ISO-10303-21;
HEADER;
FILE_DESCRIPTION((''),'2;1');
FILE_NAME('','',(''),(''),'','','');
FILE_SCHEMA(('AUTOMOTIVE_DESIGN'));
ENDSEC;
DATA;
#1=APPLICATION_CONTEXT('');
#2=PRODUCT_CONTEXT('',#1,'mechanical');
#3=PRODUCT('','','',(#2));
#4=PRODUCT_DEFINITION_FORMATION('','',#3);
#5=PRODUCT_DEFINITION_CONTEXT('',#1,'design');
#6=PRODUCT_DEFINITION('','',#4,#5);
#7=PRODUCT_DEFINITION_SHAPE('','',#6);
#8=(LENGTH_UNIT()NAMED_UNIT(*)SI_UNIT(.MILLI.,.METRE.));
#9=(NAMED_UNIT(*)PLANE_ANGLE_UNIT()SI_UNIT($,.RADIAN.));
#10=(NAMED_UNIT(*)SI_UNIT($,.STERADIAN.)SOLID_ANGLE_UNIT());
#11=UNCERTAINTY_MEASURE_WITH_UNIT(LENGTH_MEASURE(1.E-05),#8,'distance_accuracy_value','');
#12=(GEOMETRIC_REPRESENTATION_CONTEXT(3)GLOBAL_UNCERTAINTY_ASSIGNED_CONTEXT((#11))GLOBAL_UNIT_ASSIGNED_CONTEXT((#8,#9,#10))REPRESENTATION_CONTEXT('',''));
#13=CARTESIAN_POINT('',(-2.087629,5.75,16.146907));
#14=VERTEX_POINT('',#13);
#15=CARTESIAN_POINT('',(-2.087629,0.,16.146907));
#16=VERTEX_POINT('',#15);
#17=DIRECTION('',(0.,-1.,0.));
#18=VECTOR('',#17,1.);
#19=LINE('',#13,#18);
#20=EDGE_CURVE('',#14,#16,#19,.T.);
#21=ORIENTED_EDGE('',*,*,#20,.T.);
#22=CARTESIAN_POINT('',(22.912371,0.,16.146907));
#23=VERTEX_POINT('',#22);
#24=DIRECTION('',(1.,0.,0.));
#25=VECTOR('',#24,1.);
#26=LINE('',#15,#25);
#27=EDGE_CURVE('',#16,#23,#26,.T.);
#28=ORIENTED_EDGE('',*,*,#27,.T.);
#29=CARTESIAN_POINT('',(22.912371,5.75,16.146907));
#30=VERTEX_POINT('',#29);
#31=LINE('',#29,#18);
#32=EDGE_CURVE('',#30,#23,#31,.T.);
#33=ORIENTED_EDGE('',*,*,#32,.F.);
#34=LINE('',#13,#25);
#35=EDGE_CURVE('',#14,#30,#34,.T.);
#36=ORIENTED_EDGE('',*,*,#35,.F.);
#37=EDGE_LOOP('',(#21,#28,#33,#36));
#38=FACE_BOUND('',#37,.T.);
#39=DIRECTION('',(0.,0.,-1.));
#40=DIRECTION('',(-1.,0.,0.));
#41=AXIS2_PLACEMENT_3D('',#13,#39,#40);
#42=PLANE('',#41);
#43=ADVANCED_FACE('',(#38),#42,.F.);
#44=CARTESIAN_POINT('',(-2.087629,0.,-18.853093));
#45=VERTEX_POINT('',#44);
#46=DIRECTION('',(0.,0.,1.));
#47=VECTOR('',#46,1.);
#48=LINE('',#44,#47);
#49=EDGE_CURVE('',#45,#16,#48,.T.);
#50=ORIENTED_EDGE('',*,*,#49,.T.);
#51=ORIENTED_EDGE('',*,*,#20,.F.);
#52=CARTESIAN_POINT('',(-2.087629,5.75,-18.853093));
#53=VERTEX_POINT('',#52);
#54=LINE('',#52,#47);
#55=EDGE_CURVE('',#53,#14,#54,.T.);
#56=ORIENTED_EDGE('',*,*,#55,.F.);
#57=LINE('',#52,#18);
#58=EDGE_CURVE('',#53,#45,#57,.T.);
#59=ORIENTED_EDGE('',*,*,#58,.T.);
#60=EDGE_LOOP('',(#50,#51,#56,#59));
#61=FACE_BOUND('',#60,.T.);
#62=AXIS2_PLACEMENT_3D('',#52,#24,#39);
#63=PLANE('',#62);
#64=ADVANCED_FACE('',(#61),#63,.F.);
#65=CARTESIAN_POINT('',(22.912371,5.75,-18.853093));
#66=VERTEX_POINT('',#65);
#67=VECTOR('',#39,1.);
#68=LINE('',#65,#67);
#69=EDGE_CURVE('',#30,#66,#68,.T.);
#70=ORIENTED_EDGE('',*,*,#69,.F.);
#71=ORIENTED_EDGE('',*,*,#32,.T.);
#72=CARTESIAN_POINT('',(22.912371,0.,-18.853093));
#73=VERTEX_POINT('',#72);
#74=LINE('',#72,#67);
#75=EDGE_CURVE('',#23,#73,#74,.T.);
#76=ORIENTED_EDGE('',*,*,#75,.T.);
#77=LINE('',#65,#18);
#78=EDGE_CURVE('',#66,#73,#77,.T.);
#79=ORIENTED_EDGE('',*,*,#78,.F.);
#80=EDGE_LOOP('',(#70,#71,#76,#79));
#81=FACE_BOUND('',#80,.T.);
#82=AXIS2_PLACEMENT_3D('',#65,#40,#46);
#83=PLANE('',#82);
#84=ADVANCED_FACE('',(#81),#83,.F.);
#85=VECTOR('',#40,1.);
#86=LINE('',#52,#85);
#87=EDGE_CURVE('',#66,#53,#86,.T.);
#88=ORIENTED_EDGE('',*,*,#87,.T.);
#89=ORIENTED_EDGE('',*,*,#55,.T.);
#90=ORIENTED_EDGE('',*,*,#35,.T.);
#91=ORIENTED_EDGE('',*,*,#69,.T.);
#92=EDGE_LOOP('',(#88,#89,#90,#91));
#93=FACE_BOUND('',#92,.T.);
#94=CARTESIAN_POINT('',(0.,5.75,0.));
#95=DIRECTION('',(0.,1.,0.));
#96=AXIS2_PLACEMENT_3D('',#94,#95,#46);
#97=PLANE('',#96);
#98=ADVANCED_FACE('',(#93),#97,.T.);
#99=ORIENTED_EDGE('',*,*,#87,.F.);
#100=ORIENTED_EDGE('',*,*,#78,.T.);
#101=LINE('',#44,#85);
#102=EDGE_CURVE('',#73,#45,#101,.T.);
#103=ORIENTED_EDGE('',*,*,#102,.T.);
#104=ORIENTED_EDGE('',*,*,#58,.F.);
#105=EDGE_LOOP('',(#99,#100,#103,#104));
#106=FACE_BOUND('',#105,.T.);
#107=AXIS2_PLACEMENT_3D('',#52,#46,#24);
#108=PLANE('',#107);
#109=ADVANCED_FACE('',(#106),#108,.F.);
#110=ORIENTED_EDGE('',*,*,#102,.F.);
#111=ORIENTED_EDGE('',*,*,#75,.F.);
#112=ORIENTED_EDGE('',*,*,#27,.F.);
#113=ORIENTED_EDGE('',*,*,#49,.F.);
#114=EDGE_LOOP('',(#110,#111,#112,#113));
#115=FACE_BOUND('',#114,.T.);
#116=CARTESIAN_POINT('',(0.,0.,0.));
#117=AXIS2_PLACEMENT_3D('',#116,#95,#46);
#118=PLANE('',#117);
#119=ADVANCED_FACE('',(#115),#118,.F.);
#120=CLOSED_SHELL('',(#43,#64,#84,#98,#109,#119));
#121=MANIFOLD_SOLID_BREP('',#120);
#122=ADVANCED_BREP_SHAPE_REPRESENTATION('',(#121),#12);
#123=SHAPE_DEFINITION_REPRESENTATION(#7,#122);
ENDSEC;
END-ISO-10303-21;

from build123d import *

# Parameters (mm, degrees)
SKETCH1_W           = 25
SKETCH1_H           = 35
BOSS_EXTRUDE1_DEPTH = 5.75


with BuildPart() as part:
    # Sketch1 → Boss-Extrude1 (new body)
    with BuildSketch(Plane(origin=(0, 0, 0), x_dir=(1, 0, 0), z_dir=(0, 1, 0))):
        with Locations((10.412371134, 1.353092784)):
            Rectangle(SKETCH1_W, SKETCH1_H)
    extrude(amount=BOSS_EXTRUDE1_DEPTH)


solid = part.part
